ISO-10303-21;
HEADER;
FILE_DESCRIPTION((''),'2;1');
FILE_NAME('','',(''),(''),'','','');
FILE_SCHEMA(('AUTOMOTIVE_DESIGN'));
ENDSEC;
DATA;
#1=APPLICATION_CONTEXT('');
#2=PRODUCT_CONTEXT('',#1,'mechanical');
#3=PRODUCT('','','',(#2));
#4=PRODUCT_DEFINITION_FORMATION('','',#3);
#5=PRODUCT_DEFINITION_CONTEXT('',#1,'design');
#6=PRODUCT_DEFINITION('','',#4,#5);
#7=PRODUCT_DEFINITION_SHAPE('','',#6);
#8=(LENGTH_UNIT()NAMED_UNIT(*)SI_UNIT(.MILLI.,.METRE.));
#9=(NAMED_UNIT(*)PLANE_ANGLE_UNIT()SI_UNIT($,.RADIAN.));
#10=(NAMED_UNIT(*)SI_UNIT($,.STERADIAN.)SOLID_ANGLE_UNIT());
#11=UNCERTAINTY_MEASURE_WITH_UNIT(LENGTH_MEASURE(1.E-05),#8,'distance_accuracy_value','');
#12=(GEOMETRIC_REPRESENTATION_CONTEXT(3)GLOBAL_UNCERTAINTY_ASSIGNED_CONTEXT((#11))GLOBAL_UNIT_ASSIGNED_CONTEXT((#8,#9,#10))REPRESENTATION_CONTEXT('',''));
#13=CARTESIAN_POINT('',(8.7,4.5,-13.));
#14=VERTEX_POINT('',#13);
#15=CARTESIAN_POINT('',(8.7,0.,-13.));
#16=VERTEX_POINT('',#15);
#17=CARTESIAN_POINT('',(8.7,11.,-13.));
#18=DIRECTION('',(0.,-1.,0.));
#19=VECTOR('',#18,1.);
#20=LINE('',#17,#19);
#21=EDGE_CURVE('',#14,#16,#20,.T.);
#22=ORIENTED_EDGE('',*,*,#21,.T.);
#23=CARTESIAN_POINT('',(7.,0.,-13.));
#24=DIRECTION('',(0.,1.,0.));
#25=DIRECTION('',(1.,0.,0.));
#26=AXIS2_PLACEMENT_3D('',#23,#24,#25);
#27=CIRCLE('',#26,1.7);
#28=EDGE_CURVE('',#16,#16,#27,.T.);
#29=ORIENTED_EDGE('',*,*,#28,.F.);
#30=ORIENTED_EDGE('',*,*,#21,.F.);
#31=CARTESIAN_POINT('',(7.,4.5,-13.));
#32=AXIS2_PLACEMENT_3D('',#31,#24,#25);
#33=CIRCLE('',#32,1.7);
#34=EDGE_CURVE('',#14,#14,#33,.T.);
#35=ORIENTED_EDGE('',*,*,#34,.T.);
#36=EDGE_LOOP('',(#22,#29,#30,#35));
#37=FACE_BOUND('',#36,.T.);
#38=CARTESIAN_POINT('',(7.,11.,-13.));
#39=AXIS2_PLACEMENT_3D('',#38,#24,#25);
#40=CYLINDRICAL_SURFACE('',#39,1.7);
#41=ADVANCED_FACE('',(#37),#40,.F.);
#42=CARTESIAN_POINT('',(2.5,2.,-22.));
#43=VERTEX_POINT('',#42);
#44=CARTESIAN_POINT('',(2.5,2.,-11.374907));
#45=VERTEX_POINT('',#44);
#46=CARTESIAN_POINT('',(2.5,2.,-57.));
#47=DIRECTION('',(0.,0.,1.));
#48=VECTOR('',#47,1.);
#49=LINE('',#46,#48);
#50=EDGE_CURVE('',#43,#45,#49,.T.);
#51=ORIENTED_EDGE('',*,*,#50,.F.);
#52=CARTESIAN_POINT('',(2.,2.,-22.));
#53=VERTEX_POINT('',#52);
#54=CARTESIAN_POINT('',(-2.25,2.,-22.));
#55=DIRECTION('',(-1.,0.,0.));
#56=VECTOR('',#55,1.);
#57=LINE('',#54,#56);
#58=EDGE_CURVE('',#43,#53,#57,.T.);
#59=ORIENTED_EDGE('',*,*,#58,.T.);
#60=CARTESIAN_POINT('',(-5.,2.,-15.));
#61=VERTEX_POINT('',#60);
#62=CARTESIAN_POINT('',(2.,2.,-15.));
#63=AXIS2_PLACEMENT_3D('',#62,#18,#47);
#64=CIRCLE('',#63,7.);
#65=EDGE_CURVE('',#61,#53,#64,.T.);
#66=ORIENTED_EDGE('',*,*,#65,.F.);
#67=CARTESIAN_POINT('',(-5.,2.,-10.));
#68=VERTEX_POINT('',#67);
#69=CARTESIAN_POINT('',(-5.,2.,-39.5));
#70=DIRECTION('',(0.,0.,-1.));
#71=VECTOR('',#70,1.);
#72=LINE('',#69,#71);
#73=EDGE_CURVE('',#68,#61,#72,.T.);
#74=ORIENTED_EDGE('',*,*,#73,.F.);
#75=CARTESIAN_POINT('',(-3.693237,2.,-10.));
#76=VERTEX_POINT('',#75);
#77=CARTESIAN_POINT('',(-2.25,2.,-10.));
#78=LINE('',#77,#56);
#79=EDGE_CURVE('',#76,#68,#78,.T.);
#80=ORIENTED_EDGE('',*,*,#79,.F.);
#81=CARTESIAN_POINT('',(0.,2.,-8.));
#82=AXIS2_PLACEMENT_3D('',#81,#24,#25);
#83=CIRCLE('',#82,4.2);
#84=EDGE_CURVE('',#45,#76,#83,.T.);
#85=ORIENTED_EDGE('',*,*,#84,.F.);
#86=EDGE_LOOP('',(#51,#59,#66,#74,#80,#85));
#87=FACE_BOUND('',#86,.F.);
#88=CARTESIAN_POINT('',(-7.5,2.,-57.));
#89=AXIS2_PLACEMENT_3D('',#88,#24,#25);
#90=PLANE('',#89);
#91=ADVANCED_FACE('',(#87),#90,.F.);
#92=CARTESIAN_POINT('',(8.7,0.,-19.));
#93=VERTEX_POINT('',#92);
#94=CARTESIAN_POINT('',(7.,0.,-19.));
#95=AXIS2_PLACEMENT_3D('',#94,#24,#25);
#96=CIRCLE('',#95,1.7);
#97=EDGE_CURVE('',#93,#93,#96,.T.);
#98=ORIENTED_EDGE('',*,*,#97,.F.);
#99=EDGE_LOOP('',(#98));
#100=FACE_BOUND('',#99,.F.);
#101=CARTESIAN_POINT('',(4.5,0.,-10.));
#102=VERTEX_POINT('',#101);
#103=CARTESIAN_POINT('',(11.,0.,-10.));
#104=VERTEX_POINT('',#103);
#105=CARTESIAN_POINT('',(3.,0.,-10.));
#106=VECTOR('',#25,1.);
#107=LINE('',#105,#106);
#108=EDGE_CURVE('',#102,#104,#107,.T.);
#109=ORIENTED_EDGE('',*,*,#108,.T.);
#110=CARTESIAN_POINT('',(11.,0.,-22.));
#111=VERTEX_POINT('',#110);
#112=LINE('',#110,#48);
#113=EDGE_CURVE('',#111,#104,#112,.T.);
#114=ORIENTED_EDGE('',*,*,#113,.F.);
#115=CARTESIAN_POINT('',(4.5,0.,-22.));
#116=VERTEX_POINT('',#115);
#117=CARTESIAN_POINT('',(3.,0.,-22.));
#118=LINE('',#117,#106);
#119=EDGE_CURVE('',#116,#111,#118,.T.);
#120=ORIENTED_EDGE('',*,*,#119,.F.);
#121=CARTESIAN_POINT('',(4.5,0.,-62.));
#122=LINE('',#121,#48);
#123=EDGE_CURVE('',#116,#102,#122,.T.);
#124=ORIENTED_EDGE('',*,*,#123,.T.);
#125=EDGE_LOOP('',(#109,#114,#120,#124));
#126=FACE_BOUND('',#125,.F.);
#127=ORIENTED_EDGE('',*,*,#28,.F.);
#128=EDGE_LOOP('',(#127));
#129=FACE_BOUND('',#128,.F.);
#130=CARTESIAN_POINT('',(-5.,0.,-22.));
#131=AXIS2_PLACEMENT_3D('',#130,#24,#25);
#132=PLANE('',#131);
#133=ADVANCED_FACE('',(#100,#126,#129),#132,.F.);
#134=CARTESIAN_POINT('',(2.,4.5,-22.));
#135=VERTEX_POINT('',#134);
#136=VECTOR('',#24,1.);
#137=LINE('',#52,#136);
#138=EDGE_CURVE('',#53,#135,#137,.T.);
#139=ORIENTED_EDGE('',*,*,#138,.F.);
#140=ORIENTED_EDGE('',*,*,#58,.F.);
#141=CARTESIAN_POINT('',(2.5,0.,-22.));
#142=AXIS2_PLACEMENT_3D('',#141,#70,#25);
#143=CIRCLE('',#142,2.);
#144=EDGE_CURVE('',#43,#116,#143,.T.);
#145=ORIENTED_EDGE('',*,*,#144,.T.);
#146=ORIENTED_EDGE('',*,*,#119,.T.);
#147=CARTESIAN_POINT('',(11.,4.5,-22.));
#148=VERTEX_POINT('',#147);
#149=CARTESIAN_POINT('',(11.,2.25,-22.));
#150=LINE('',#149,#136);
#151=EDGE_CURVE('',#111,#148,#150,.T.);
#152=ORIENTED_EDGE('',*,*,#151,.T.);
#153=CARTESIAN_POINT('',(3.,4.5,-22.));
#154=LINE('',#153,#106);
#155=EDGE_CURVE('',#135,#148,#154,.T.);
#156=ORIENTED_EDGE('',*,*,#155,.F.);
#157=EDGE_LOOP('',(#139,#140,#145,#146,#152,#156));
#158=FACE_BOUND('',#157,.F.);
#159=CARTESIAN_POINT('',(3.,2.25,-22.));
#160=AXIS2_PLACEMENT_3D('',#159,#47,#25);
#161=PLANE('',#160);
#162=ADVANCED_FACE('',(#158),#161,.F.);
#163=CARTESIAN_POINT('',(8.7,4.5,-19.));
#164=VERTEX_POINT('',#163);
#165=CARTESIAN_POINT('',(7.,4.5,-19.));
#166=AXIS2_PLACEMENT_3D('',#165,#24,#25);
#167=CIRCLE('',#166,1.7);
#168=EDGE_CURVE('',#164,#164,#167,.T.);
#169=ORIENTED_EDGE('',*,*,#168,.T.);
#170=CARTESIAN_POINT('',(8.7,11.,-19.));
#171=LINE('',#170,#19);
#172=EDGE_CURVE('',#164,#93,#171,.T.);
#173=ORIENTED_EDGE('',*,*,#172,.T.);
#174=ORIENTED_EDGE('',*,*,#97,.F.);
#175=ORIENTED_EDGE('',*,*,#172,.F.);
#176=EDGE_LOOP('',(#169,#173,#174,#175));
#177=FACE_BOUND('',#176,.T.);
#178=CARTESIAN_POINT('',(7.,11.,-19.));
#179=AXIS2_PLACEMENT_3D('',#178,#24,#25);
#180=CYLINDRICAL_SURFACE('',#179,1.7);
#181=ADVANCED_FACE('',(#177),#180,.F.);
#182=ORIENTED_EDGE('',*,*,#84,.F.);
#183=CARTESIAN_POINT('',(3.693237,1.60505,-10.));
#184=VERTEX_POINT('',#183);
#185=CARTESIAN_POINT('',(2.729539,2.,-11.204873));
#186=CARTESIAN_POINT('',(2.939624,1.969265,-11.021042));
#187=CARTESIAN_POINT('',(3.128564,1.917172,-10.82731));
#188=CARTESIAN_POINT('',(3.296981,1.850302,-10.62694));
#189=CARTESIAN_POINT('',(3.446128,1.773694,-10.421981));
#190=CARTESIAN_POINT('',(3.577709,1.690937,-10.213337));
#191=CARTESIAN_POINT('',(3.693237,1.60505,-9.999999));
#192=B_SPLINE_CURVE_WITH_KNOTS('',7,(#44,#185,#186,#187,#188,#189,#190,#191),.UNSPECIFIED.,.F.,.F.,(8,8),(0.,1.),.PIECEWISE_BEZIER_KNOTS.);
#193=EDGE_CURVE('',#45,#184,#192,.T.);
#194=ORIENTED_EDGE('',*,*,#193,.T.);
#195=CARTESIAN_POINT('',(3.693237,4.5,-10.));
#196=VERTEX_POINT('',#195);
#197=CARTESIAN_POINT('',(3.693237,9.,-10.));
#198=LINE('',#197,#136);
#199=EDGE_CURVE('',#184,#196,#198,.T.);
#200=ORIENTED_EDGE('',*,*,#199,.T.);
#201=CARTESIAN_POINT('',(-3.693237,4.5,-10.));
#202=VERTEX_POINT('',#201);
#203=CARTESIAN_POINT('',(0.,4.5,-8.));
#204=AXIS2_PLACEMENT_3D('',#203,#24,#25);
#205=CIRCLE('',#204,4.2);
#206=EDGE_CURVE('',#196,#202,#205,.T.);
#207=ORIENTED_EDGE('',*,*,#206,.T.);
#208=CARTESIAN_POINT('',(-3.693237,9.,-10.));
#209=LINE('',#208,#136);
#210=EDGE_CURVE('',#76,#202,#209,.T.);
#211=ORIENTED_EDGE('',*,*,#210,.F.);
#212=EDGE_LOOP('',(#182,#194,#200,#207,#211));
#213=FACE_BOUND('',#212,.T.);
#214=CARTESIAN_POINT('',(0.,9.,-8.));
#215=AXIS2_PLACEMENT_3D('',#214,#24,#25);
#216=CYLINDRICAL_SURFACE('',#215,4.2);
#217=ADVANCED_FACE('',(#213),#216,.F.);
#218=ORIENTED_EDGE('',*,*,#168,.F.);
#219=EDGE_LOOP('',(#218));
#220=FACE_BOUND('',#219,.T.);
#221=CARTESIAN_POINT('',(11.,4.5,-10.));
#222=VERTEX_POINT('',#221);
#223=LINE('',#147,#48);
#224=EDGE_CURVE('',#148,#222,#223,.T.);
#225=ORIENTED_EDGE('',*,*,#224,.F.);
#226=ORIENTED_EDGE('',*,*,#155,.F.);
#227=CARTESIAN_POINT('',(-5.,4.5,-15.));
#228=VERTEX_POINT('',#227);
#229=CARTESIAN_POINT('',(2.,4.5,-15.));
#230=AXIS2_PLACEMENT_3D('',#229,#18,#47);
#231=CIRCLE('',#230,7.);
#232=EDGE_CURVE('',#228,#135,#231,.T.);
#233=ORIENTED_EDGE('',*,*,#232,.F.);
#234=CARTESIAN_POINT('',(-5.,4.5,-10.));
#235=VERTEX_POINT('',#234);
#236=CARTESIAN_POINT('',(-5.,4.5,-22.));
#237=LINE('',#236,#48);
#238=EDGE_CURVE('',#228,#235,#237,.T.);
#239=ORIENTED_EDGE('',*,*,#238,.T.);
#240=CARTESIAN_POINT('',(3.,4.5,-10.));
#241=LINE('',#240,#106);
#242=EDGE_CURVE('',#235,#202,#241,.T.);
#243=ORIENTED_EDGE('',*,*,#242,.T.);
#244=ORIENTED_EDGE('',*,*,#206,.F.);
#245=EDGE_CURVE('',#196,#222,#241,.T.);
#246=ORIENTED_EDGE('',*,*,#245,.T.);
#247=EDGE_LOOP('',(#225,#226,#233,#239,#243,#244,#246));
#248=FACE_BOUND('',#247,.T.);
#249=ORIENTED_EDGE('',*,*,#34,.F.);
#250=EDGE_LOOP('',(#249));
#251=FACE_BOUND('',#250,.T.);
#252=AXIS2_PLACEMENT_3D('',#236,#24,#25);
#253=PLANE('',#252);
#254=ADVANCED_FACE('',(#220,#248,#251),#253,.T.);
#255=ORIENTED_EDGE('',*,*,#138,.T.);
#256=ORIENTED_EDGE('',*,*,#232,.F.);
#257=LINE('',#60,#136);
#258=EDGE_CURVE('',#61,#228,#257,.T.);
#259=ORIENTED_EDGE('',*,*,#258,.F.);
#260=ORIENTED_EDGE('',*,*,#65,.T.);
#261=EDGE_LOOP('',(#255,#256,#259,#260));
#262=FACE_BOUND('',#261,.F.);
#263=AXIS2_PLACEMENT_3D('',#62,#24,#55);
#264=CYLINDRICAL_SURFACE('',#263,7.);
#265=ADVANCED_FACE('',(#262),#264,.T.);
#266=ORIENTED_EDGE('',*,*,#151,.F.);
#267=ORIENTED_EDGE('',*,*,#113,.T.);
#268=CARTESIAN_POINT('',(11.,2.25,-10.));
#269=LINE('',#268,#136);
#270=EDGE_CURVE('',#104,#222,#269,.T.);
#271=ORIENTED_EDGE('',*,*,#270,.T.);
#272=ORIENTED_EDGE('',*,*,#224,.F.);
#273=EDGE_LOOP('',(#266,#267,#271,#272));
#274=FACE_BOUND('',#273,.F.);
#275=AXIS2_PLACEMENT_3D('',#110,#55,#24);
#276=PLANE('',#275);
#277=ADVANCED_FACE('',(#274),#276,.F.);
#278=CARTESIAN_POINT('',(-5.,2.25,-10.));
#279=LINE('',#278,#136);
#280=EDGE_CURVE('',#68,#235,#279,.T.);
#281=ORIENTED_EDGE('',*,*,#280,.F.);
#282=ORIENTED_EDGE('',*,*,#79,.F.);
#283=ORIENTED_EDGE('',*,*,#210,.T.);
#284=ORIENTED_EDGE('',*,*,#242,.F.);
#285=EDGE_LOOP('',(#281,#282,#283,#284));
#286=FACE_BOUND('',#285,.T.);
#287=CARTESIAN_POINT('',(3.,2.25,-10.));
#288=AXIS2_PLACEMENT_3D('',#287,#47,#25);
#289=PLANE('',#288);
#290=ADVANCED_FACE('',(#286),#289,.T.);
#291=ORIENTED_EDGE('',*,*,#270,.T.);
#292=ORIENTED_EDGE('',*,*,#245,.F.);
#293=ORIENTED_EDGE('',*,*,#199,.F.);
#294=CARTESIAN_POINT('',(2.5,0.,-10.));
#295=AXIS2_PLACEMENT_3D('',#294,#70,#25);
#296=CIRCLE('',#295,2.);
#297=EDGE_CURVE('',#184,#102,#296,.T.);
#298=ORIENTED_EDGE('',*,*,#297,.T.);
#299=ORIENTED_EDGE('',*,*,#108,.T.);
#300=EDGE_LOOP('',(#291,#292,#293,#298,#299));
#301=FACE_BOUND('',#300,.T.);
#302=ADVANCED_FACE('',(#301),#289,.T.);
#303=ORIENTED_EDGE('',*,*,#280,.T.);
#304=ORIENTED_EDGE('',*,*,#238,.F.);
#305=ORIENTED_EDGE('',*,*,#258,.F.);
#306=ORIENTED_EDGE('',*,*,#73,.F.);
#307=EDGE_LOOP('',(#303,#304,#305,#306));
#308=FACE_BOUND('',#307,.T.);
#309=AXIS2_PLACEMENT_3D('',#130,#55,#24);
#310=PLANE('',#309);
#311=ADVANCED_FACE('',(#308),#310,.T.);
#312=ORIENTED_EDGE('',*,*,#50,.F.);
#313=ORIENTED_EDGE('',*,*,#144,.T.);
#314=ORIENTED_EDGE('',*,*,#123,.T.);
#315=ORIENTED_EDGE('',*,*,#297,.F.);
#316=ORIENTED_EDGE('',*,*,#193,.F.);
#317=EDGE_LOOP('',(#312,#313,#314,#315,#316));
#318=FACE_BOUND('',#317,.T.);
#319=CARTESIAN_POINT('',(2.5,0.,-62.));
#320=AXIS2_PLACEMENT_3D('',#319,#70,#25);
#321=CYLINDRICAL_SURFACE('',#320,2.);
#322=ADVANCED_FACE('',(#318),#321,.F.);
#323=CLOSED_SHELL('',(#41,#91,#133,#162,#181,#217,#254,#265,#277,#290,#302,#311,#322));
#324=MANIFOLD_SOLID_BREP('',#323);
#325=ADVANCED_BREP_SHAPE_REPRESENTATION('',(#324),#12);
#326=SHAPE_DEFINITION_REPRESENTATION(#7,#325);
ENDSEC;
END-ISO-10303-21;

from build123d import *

# Parameters (mm, degrees)
CYLINDER219_R          = 1.7
CYLINDER219_DEPTH      = 20
CYLINDER219_ROLL_ANGLE = 90
CYLINDER218_R          = 1.7
CYLINDER218_DEPTH      = 20
CYLINDER218_ROLL_ANGLE = 90
CYLINDER217_R          = 4.2
CYLINDER217_DEPTH      = 18
CYLINDER217_ROLL_ANGLE = 90
BOX001027045165_W      = 10
BOX001027045165_H      = 4
BOX001027045165_DEPTH  = 60
CYLINDER216_R          = 2
CYLINDER216_DEPTH      = 74
BOX001027045155_W      = 16
BOX001027045155_H      = 4.5
BOX001027045155_DEPTH  = 12
FILLET032_R            = 7


with BuildPart() as cylinder258:
    # Cylinder219 → Cylinder219 (new body)
    with BuildSketch(Plane.XY):
        Circle(CYLINDER219_R)
    extrude(amount=CYLINDER219_DEPTH)


with BuildPart() as cylinder258_1:
    # Cylinder219 roll: moved
    add(cylinder258.part.rotate(Axis((0, 0, 0), (1, 0, 0)), CYLINDER219_ROLL_ANGLE))


with BuildPart() as cylinder258_2:
    # Cylinder219 placement: moved
    add(cylinder258_1.part.moved(Location((7, 11, -13))))


with BuildPart() as top_slot_m3_clearance:
    # Cylinder218 → Cylinder218 (new body)
    with BuildSketch(Plane.XY):
        Circle(CYLINDER218_R)
    extrude(amount=CYLINDER218_DEPTH)


with BuildPart() as top_slot_m3_clearance_1:
    # Cylinder218 roll: moved
    add(top_slot_m3_clearance.part.rotate(Axis((0, 0, 0), (1, 0, 0)), CYLINDER218_ROLL_ANGLE))


with BuildPart() as top_slot_m3_clearance_2:
    # Cylinder218 placement: moved
    add(top_slot_m3_clearance_1.part.moved(Location((7, 11, -19))))

    # Fusion112117: union Cylinder258
    add(cylinder258_2.part)


with BuildPart() as rocker_cut002:
    # Cylinder217 → Cylinder217 (new body)
    with BuildSketch(Plane.XY):
        Circle(CYLINDER217_R)
    extrude(amount=CYLINDER217_DEPTH)


with BuildPart() as rocker_cut002_1:
    # Cylinder217 roll: moved
    add(rocker_cut002.part.rotate(Axis((0, 0, 0), (1, 0, 0)), CYLINDER217_ROLL_ANGLE))


with BuildPart() as rocker_cut002_2:
    # Cylinder217 placement: moved
    add(rocker_cut002_1.part.moved(Location((0, 9, -8))))


with BuildPart() as cube213:
    # Box001027045165 → Box001027045165 (new body)
    with BuildSketch(Plane(origin=(-10, -2, -57), x_dir=(1, 0, 0), z_dir=(0, 0, 1))):
        with Locations((5, 2)):
            Rectangle(BOX001027045165_W, BOX001027045165_H)
    extrude(amount=BOX001027045165_DEPTH)


with BuildPart() as fusion112116:
    # Cylinder216 → Cylinder216 (new body)
    with BuildSketch(Plane.XY.offset(-62)):
        Circle(CYLINDER216_R)
    extrude(amount=CYLINDER216_DEPTH)

    # Fusion112116: union Cube213
    add(cube213.part)


with BuildPart() as fusion112116_1:
    # Fusion112116 placement: moved
    add(fusion112116.part.moved(Location((2.5, 0, 0))))


with BuildPart() as top_slot_plate:
    # Box001027045155 → Box001027045155 (new body)
    with BuildSketch(Plane(origin=(-5, 0, -22), x_dir=(1, 0, 0), z_dir=(0, 0, 1))):
        with Locations((8, 2.25)):
            Rectangle(BOX001027045155_W, BOX001027045155_H)
    extrude(amount=BOX001027045155_DEPTH)

    # Cut196: cut Fusion112116
    add(fusion112116_1.part, mode=Mode.SUBTRACT)

    # Cut197: cut rocker-cut002
    add(rocker_cut002_2.part, mode=Mode.SUBTRACT)

    # Cut198: cut top-slot-m3-clearance
    add(top_slot_m3_clearance_2.part, mode=Mode.SUBTRACT)

    # Fillet032
    fillet032_edges = [top_slot_plate.edges().sort_by_distance(p)[0] for p in [
        (-5, 3.25, -22),
    ]]
    fillet(fillet032_edges, radius=FILLET032_R)


solid = top_slot_plate.part
